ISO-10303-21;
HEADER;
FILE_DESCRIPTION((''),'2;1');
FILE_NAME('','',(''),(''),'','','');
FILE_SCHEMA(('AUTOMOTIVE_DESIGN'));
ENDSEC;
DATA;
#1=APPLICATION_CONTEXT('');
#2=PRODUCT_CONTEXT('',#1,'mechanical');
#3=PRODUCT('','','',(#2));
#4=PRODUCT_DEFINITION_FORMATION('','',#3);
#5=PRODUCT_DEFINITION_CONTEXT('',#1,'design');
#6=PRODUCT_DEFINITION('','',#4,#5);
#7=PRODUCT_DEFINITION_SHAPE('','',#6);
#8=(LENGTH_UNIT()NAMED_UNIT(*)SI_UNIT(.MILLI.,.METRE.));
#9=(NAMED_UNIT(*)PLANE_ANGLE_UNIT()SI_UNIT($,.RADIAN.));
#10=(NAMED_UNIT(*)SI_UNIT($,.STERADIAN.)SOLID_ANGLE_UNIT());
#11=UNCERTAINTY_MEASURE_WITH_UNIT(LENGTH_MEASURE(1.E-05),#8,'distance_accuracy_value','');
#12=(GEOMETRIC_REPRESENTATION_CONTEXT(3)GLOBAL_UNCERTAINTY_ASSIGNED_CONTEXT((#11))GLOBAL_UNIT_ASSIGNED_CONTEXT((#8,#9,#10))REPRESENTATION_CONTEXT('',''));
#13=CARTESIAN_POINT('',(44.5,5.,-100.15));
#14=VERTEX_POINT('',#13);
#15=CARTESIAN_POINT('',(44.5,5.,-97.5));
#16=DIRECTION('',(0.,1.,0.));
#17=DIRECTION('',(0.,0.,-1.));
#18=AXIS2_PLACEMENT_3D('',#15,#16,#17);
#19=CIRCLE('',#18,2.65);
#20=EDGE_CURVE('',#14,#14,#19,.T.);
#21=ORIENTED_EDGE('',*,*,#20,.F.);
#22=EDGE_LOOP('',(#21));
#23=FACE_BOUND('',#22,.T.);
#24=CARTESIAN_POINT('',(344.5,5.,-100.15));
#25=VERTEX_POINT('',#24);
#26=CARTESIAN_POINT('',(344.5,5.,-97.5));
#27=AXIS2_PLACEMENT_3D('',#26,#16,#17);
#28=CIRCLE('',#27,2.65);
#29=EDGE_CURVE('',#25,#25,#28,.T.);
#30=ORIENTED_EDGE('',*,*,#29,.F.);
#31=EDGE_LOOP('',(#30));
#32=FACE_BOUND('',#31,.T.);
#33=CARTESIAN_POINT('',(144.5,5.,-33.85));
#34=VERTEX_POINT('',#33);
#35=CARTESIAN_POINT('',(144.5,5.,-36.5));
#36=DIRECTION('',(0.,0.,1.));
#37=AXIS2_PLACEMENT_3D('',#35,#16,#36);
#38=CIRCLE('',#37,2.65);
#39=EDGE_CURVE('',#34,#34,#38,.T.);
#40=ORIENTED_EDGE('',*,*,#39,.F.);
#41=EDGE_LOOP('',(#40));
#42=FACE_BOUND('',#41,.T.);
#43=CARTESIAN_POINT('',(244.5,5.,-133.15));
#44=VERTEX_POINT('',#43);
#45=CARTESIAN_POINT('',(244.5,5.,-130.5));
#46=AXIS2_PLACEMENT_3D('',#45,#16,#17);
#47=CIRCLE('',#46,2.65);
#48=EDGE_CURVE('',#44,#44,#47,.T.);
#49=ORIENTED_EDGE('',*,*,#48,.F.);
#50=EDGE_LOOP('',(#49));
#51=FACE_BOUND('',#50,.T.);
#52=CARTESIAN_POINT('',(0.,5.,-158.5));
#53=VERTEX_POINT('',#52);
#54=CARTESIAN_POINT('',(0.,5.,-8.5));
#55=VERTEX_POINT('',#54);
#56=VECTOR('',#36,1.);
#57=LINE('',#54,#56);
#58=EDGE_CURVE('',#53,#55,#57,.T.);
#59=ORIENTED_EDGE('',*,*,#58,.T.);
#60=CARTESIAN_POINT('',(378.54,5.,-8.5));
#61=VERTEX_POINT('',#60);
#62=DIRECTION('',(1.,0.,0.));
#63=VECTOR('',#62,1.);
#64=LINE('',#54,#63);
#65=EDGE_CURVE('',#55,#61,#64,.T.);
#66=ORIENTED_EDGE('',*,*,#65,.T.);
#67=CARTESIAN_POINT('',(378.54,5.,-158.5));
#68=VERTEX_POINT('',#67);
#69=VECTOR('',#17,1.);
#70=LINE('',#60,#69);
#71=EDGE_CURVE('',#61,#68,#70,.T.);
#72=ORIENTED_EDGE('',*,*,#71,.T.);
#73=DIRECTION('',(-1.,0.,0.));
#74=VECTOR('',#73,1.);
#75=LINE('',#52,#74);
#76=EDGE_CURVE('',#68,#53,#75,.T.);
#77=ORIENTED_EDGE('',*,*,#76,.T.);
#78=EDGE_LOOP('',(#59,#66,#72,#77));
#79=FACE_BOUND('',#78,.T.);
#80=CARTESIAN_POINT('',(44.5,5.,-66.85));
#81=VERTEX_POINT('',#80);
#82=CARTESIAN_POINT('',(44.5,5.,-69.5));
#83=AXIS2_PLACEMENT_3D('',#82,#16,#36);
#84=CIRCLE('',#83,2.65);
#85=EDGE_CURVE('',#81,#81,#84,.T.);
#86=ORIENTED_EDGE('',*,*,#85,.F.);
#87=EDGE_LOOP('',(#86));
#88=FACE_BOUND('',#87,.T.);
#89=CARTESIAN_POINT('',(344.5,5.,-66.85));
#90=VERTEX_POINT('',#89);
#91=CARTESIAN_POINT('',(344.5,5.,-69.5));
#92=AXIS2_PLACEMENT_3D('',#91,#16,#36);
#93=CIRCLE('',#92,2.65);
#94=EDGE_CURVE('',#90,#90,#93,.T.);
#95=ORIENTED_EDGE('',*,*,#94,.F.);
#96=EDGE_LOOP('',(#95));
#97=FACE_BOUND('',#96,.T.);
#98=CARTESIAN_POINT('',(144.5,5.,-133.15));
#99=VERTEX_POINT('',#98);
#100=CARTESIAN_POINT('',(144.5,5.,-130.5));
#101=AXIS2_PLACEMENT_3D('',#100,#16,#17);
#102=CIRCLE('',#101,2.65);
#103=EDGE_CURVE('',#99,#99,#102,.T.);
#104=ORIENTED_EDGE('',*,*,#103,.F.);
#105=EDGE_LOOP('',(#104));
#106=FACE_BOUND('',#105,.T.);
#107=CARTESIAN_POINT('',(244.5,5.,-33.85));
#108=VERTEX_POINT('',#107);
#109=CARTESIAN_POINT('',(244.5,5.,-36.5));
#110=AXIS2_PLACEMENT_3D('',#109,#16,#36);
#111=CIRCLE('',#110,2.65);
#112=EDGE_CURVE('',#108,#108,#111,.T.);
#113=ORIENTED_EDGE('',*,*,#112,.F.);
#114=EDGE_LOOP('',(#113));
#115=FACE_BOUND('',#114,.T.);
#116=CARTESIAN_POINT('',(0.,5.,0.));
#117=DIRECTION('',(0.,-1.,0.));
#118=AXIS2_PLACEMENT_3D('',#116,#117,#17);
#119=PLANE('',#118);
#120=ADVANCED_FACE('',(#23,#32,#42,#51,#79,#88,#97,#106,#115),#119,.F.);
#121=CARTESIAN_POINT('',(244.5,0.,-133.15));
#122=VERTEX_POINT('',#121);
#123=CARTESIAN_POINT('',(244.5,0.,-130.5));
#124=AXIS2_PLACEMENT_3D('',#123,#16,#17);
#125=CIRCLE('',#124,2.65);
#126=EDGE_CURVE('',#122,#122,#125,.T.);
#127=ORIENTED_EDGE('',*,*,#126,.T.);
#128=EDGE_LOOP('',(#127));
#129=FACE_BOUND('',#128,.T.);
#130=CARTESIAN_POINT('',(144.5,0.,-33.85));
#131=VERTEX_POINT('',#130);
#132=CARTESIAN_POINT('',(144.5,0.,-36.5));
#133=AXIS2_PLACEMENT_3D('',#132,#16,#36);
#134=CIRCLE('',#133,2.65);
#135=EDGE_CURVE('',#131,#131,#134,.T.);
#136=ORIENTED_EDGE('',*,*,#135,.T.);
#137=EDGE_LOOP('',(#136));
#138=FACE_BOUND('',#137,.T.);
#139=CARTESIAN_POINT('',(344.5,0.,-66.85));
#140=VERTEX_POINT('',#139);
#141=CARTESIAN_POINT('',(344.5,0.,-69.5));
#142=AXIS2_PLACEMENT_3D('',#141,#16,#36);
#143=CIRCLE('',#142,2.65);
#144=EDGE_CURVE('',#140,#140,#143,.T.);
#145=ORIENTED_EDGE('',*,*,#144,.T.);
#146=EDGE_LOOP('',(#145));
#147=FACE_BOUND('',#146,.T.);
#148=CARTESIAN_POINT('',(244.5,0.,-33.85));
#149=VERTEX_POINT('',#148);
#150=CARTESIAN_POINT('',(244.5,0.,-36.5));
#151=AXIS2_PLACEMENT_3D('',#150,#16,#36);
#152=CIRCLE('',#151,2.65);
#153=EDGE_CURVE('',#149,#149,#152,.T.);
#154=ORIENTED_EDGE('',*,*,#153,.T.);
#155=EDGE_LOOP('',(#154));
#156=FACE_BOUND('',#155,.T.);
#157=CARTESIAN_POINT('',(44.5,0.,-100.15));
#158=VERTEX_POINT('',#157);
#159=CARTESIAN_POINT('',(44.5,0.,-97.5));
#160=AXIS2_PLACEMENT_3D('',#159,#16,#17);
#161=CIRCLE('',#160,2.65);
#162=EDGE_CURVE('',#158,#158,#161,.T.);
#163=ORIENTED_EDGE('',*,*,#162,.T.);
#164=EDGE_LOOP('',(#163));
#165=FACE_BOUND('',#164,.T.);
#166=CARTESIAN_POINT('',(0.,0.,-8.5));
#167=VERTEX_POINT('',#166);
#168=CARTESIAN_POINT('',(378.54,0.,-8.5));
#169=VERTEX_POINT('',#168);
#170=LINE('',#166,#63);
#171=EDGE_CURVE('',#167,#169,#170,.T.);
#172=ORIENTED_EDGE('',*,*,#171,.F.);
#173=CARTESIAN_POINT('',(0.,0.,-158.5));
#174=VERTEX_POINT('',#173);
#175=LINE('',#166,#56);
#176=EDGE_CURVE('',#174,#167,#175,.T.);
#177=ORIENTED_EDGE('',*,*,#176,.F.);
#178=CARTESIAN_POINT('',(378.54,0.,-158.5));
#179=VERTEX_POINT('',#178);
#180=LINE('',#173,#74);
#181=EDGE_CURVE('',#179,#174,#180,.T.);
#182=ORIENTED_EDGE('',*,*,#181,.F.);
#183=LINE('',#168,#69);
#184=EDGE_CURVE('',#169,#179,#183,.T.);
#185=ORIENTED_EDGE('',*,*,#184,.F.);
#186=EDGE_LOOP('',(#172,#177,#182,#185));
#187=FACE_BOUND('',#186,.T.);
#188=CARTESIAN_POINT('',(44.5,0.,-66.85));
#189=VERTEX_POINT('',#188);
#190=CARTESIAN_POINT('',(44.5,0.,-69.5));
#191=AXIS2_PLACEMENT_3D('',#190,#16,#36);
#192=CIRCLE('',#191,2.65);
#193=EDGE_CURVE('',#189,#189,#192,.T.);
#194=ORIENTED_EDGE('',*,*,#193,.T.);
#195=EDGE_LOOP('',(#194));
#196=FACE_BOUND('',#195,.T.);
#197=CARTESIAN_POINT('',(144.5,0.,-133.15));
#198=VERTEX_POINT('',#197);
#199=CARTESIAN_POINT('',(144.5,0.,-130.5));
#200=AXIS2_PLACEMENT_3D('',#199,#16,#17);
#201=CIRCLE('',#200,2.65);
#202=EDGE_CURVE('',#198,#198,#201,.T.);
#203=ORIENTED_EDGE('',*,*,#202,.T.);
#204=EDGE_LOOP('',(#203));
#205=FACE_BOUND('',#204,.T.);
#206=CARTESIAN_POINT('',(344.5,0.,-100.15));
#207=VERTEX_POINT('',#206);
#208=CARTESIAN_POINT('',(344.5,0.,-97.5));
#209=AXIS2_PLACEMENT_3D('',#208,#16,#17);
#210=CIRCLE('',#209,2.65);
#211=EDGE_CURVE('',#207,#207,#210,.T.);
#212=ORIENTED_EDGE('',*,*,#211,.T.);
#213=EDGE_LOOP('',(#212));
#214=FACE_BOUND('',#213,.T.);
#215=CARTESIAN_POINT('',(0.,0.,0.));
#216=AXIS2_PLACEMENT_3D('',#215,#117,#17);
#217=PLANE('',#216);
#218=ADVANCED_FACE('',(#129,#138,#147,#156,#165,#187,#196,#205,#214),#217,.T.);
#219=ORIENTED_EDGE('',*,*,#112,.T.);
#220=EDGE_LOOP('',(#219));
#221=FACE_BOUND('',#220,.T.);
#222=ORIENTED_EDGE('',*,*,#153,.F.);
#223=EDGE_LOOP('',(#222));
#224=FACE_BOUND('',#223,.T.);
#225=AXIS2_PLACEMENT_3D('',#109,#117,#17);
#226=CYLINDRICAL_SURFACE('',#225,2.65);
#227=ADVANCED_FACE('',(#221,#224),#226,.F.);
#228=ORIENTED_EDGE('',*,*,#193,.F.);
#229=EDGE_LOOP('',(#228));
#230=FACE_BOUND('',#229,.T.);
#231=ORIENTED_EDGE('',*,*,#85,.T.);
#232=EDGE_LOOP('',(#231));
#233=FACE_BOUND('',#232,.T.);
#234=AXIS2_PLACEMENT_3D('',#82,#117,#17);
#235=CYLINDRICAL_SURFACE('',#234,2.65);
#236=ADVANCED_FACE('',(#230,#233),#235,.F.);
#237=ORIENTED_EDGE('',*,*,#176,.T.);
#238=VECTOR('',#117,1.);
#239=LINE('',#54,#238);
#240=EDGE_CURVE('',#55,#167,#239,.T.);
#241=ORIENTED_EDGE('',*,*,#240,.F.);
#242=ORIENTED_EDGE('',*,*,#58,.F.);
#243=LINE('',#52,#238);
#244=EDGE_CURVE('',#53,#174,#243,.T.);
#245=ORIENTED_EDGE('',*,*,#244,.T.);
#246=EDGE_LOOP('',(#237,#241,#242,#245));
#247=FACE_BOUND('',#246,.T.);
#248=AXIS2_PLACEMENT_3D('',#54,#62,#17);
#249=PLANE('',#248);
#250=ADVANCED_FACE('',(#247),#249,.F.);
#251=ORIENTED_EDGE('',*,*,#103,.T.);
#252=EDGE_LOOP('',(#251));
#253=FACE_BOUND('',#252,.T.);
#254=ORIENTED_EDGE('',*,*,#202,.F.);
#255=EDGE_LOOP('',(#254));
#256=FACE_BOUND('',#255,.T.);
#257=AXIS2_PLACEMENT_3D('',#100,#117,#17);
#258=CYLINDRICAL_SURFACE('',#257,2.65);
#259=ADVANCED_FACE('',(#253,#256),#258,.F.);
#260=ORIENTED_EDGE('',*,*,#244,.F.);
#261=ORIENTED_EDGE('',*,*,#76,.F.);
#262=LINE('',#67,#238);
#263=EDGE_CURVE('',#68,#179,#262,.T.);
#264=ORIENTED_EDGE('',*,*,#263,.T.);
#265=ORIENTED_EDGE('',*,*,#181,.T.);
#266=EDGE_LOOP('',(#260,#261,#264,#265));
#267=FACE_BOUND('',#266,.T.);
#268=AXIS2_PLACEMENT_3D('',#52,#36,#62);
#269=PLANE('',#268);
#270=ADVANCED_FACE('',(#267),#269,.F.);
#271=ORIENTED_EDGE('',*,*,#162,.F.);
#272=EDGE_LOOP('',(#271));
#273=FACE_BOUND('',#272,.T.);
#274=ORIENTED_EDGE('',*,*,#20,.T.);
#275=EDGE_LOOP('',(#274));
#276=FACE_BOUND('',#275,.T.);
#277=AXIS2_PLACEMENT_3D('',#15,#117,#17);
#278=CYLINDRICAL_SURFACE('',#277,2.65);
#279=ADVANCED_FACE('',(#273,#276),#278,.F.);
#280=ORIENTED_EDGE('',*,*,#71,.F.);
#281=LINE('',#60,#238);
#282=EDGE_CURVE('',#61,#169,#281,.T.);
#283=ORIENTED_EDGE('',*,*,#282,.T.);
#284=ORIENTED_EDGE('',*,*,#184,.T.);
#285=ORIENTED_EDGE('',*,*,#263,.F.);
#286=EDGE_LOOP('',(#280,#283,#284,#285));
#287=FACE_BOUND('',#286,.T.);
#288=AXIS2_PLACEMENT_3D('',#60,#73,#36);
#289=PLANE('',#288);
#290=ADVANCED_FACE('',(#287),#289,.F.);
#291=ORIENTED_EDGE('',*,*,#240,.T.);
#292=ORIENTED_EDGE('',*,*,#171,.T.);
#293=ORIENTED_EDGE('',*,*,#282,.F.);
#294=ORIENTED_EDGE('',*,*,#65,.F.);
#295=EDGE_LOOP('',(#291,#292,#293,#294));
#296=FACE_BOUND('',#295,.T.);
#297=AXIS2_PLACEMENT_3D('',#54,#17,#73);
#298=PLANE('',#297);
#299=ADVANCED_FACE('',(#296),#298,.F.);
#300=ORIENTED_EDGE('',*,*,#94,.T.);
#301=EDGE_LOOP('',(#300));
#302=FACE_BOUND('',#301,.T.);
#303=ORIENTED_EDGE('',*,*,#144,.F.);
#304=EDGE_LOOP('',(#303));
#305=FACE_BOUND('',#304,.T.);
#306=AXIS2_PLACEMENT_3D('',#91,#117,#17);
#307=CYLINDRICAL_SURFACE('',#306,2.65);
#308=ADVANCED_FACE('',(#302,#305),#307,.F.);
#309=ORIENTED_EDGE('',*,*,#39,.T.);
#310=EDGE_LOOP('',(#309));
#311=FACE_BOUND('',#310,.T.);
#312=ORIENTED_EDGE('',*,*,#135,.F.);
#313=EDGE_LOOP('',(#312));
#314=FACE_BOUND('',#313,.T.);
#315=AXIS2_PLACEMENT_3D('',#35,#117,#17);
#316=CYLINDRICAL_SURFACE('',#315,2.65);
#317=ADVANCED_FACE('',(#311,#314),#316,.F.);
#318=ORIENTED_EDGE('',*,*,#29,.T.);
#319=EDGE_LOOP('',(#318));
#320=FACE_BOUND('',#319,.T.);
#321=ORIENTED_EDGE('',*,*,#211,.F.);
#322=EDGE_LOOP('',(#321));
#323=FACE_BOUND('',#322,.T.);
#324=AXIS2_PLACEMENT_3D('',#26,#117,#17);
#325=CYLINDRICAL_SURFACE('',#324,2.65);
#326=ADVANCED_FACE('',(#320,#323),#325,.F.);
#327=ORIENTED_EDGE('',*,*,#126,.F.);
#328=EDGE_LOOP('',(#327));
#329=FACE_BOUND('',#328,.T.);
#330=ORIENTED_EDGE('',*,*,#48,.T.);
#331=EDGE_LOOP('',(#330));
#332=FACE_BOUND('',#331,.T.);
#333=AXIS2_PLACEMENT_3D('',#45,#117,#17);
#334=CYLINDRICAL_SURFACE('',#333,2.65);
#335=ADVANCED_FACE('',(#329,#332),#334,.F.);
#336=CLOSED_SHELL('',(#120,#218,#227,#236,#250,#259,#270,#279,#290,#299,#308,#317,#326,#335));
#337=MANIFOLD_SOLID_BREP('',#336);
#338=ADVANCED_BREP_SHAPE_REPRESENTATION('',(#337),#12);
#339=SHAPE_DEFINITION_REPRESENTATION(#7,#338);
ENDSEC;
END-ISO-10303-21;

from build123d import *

# Parameters (mm, degrees)
SKETCH1_W           = 378.54
SKETCH1_H           = 150
SKETCH1_R           = 2.65
BOSS_EXTRUDE1_DEPTH = 5


with BuildPart() as part:
    # Sketch1 → Boss-Extrude1 (new body)
    with BuildSketch(Plane(origin=(0, 0, 0), x_dir=(1, 0, 0), z_dir=(0, 1, 0))):
        with Locations((189.27, 83.5)):
            Rectangle(SKETCH1_W, SKETCH1_H)
        with Locations(Location((344.5, 69.5, 0), (0, 0, 270))):
            Circle(SKETCH1_R, mode=Mode.SUBTRACT)
        with Locations(Location((144.5, 36.5, 0), (0, 0, 270))):
            Circle(SKETCH1_R, mode=Mode.SUBTRACT)
        with Locations(Location((244.5, 36.5, 0), (0, 0, 270))):
            Circle(SKETCH1_R, mode=Mode.SUBTRACT)
        with Locations(Location((344.5, 97.5, 0), (0, 0, 90))):
            Circle(SKETCH1_R, mode=Mode.SUBTRACT)
        with Locations(Location((44.5, 69.5, 0), (0, 0, 270))):
            Circle(SKETCH1_R, mode=Mode.SUBTRACT)
        with Locations(Location((244.5, 130.5, 0), (0, 0, 90))):
            Circle(SKETCH1_R, mode=Mode.SUBTRACT)
        with Locations(Location((144.5, 130.5, 0), (0, 0, 90))):
            Circle(SKETCH1_R, mode=Mode.SUBTRACT)
        with Locations(Location((44.5, 97.5, 0), (0, 0, 90))):
            Circle(SKETCH1_R, mode=Mode.SUBTRACT)
    extrude(amount=BOSS_EXTRUDE1_DEPTH)


solid = part.part
